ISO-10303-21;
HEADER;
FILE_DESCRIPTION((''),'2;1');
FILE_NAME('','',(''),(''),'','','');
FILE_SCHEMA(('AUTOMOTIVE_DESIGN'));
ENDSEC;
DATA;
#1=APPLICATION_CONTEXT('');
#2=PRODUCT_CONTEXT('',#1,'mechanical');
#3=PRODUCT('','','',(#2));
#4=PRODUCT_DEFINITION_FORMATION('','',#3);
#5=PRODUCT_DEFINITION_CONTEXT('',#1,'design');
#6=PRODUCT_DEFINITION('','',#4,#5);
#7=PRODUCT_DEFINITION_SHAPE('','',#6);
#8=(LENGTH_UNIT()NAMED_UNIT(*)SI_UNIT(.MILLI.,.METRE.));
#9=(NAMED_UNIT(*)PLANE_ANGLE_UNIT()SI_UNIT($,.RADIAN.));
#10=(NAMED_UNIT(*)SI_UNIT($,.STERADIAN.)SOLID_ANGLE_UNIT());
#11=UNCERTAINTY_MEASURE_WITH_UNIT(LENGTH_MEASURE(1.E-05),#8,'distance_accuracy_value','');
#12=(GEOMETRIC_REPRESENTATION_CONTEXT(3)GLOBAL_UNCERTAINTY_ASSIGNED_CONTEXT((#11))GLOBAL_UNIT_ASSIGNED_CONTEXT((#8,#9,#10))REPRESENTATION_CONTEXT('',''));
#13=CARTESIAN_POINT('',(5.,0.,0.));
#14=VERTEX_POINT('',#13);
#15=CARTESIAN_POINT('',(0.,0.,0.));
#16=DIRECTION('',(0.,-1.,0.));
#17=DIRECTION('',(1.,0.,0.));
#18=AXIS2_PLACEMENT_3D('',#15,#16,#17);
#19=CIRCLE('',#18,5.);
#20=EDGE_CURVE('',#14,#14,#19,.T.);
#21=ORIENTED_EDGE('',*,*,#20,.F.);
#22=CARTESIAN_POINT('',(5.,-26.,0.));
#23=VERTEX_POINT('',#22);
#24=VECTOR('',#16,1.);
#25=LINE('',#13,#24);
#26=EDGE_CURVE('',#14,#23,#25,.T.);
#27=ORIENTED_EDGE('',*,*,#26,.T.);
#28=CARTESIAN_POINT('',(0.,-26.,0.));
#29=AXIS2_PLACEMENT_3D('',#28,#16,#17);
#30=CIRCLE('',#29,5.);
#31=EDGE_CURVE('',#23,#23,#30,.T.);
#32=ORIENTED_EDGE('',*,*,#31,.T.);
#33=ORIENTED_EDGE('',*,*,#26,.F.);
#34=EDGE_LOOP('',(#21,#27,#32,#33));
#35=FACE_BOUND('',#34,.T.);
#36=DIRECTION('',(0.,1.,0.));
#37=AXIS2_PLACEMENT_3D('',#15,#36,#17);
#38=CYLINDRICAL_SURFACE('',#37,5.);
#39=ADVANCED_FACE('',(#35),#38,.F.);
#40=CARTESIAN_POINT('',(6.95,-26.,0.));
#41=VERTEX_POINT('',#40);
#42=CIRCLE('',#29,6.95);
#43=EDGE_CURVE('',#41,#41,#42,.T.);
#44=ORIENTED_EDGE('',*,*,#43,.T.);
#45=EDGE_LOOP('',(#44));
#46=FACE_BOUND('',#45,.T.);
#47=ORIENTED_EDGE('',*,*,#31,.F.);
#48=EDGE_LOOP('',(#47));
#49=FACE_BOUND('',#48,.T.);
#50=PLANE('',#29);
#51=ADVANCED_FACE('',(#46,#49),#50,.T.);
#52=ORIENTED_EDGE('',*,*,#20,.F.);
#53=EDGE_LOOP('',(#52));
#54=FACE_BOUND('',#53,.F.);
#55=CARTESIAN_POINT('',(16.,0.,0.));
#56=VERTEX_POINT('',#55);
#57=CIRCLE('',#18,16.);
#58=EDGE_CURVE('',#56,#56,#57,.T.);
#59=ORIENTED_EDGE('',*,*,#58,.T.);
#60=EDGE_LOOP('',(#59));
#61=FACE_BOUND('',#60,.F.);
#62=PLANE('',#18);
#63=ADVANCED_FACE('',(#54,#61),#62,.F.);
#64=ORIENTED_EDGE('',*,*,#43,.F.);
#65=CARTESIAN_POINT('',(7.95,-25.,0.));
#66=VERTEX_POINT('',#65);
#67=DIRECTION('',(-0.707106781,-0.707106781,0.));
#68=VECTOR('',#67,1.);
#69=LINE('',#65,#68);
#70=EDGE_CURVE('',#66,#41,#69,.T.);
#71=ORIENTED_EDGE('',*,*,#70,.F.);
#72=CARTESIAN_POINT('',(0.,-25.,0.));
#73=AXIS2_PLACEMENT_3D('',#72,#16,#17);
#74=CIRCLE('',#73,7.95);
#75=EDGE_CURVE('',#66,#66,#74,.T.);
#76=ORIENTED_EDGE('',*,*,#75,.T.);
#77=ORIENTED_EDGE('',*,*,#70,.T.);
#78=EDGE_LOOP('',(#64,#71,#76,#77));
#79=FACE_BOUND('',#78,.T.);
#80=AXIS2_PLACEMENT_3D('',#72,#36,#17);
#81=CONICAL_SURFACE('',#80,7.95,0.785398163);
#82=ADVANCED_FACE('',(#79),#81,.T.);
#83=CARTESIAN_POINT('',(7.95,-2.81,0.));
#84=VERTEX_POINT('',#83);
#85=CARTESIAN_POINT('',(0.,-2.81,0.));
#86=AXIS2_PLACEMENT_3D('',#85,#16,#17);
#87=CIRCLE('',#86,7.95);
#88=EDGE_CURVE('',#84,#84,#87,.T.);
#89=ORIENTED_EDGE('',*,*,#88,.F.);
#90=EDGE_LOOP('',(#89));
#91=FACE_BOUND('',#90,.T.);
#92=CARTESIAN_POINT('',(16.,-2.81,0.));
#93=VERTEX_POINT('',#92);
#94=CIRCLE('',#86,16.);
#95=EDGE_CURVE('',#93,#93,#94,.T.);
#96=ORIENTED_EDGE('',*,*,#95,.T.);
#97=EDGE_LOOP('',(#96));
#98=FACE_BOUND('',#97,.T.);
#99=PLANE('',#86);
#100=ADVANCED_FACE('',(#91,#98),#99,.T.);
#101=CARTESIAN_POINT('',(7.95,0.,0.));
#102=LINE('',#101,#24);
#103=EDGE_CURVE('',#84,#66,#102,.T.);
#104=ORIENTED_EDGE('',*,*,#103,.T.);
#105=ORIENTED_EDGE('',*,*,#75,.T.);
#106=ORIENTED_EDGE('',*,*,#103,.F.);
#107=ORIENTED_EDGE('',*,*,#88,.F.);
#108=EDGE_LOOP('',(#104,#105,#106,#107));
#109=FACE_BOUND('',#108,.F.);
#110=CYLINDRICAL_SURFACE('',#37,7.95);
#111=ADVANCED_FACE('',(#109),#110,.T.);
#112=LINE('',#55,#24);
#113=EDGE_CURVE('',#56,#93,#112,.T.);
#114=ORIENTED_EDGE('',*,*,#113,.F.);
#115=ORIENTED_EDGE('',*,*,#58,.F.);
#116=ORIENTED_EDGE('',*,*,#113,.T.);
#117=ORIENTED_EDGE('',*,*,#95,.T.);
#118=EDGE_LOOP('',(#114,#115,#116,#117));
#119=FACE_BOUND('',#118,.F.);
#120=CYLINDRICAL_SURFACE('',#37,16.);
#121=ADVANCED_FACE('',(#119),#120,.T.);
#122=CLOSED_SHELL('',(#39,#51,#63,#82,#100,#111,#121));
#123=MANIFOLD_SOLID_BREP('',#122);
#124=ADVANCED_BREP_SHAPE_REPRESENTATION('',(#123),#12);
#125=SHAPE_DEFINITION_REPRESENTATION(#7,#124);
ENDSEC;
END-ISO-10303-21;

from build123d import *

# Parameters (mm, degrees)
F0_R     = 7.95
F0_R_2   = 5
F1_DEPTH = 26
F0_R_3   = 16
F2_DEPTH = 2.81
F3_SIZE  = 1


with BuildPart() as f1:
    # F0 (on Front) → F1 (new body)
    with BuildSketch(Plane.XZ):
        Circle(F0_R)
        Circle(F0_R_2, mode=Mode.SUBTRACT)
    extrude(amount=F1_DEPTH)

    # F0 (on Front) → F2 (join)
    with BuildSketch(Plane.XZ):
        Circle(F0_R_3)
        Circle(F0_R, mode=Mode.SUBTRACT)
    extrude(amount=F2_DEPTH)

    # F3
    f3_edges = [f1.edges().sort_by_distance(p)[0] for p in [
        (-7.95, -26, 0),
    ]]
    chamfer(f3_edges, length=F3_SIZE)


solid = f1.part
